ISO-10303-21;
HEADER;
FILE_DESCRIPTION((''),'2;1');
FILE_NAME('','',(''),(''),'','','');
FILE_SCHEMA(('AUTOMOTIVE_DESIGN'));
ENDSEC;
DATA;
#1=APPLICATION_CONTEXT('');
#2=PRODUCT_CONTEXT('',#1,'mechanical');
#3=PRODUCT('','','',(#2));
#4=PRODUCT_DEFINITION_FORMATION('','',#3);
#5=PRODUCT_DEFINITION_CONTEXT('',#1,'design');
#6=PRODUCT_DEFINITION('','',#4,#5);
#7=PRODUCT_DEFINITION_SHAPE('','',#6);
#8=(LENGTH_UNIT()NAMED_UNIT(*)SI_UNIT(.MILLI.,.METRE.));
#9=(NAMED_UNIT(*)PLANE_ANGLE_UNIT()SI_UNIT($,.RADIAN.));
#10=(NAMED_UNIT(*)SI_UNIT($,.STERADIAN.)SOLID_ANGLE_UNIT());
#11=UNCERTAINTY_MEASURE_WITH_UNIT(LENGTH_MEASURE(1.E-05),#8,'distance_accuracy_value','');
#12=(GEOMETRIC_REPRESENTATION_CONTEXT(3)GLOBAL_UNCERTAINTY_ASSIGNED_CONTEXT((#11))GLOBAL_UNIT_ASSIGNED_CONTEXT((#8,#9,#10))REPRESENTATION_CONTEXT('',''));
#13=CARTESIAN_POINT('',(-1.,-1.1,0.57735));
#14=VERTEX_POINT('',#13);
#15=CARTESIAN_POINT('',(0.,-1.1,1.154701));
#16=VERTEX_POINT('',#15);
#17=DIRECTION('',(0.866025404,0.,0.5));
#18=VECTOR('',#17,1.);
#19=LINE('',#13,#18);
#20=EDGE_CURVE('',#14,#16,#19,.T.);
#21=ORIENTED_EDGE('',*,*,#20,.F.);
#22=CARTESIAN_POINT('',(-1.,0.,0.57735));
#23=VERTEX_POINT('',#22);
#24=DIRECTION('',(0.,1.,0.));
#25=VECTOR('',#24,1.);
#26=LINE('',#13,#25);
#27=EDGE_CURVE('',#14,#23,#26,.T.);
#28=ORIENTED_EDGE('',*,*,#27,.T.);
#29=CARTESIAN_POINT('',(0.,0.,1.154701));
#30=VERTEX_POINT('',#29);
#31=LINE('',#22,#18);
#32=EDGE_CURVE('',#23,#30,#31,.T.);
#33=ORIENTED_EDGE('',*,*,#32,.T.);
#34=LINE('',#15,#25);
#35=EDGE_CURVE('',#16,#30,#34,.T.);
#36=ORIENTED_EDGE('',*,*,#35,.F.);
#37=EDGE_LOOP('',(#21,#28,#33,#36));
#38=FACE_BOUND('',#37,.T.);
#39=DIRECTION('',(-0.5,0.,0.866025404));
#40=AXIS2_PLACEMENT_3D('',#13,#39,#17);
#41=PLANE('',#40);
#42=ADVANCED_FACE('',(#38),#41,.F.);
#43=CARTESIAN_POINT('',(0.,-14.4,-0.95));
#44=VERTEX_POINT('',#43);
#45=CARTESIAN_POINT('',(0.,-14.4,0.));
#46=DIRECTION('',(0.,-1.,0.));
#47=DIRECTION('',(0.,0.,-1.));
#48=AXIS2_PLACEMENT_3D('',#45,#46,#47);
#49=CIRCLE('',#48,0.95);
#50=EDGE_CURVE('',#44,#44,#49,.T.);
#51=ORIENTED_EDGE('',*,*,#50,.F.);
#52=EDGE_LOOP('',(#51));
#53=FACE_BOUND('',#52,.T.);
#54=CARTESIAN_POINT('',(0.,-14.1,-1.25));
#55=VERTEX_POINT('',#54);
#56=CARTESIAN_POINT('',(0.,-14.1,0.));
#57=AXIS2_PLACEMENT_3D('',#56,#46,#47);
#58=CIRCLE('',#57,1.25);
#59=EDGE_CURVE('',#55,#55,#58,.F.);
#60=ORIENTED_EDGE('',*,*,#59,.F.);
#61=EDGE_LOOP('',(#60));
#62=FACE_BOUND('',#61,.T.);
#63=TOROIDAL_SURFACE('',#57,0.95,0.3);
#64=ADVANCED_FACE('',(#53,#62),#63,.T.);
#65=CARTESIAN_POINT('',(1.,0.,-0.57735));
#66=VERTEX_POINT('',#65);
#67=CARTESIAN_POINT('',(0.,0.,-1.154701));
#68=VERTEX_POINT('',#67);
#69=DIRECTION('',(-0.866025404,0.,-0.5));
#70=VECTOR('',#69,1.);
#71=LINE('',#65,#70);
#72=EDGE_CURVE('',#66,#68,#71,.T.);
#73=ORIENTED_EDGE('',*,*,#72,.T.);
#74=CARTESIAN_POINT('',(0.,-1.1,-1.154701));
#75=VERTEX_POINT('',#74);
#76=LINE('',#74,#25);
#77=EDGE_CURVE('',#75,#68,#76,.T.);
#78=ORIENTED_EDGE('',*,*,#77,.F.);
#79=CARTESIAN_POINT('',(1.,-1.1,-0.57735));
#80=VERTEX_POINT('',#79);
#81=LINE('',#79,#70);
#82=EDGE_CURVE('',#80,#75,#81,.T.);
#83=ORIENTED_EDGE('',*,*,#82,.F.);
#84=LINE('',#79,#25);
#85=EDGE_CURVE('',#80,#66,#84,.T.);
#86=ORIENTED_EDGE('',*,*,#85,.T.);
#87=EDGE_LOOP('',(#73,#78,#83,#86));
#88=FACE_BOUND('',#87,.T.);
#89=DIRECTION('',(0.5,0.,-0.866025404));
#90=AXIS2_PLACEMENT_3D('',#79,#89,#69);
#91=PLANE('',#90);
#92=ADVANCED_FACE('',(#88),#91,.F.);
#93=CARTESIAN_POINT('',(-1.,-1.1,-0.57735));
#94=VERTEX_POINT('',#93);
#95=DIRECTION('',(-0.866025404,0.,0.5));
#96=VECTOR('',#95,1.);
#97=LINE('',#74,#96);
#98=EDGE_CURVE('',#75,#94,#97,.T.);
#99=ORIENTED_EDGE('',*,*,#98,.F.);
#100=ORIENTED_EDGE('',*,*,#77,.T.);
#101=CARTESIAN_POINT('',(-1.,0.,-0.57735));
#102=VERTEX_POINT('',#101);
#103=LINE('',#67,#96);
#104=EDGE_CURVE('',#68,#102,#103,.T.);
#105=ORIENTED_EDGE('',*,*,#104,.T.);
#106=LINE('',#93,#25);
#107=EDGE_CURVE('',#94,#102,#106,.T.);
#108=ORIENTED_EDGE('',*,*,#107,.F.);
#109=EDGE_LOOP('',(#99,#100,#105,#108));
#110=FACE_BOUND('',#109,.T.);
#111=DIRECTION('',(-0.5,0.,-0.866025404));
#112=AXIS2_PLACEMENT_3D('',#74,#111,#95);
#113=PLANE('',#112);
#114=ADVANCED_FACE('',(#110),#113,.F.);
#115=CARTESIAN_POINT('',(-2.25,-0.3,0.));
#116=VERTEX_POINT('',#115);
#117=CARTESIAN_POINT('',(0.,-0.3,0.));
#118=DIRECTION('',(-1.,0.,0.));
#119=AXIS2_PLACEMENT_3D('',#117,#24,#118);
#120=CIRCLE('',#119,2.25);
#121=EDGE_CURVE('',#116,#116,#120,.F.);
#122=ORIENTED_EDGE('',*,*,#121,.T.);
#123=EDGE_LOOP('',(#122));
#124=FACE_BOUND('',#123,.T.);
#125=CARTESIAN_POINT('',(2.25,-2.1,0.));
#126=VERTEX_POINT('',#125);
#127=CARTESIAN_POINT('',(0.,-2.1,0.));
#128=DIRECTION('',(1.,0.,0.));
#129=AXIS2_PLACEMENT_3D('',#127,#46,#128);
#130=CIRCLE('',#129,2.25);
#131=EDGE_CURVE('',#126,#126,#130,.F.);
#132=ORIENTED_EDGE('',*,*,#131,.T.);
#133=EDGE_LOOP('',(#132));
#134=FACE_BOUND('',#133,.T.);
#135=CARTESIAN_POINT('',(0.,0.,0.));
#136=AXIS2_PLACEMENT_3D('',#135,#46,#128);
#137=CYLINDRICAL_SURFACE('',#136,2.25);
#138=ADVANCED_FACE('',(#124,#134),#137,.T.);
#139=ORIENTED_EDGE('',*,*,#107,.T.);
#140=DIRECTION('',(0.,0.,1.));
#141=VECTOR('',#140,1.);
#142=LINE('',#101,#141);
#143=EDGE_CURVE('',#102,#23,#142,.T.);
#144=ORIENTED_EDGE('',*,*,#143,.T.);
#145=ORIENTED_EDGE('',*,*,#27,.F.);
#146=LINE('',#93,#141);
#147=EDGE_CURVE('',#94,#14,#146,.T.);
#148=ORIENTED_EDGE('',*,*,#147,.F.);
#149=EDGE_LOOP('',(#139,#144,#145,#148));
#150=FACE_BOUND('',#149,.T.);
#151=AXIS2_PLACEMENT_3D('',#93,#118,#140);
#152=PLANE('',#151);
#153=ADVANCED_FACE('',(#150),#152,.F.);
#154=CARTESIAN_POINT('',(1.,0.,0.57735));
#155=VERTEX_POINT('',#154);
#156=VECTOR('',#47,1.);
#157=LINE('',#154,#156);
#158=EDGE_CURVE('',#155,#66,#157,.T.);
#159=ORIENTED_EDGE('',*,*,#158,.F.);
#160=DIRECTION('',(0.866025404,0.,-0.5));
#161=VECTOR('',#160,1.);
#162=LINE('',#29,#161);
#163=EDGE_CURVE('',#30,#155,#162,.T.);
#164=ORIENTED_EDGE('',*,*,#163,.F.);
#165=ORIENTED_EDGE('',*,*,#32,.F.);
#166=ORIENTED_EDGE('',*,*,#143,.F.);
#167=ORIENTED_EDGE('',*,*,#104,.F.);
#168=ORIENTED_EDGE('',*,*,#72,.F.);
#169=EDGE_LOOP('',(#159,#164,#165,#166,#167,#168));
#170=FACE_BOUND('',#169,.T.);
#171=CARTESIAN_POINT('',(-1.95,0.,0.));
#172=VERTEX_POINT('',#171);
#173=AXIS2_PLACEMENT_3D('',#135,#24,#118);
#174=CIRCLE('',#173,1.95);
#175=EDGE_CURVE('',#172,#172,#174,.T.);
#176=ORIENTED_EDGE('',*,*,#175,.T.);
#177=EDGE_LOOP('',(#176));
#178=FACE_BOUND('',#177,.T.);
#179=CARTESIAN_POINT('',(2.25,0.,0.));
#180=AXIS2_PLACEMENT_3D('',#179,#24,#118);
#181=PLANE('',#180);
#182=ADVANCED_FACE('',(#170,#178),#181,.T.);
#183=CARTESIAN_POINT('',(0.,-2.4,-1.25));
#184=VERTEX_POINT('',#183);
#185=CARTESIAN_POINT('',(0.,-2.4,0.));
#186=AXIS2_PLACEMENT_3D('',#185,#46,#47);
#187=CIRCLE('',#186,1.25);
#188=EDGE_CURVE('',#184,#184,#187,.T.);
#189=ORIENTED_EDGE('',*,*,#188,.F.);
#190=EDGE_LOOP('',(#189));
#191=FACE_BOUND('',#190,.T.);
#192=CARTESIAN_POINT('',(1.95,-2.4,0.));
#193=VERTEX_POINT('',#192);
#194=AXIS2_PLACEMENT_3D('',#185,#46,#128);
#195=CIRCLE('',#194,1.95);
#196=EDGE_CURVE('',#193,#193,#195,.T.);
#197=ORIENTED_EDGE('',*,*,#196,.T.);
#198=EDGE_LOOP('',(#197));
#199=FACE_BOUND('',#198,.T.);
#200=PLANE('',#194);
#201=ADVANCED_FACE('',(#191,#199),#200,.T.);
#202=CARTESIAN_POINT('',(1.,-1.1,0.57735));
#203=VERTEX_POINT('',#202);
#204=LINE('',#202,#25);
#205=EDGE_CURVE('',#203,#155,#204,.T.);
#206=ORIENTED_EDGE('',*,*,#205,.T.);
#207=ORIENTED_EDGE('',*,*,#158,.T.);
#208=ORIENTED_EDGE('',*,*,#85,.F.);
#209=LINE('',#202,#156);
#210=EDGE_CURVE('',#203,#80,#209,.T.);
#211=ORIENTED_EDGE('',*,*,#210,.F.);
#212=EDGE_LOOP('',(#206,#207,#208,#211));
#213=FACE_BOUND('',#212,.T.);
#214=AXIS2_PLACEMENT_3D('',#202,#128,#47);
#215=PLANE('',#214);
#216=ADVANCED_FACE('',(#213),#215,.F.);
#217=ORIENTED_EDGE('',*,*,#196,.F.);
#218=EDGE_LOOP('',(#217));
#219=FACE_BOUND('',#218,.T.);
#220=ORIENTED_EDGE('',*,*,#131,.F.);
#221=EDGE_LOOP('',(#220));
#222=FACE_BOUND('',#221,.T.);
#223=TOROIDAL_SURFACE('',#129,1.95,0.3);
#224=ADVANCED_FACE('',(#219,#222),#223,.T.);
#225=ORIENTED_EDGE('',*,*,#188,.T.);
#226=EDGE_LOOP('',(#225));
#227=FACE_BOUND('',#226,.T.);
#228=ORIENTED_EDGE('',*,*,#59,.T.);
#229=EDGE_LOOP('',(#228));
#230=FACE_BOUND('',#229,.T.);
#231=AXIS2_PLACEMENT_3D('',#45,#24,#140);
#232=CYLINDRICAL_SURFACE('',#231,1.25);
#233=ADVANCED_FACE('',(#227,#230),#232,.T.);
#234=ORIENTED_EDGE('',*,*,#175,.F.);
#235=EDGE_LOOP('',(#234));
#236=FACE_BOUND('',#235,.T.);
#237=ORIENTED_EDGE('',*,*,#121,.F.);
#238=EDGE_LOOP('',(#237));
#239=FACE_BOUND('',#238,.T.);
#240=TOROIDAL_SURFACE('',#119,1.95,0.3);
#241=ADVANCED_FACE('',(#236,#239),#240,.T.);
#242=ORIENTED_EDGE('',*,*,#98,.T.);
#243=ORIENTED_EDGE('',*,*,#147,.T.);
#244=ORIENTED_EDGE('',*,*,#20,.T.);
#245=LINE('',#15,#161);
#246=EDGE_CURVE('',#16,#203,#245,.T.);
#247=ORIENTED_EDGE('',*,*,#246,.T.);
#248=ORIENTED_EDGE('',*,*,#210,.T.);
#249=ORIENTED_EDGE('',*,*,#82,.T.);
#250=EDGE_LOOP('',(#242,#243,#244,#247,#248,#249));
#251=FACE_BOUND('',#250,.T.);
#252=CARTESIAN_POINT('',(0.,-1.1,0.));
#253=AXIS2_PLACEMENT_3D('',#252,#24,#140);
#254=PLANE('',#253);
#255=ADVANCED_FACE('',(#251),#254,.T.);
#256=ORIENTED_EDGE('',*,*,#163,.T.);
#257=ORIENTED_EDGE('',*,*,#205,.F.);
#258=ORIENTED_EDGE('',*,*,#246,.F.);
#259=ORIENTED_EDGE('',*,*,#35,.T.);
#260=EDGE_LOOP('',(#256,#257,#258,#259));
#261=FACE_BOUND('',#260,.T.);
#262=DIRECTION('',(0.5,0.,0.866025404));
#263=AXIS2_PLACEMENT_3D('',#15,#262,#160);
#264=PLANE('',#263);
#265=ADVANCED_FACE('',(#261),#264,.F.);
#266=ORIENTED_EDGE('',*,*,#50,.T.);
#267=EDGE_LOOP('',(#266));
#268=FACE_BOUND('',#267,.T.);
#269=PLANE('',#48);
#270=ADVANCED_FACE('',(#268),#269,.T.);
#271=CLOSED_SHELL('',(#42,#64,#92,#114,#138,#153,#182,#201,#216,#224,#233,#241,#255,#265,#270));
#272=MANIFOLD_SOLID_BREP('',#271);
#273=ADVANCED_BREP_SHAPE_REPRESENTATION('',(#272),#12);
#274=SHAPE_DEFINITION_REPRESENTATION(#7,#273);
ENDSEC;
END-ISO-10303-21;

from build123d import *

# Parameters (mm, degrees)
SKETCH_1_W          = 2.25
SKETCH_1_H          = 2.4
SKETCH_2_R          = 1.25
EXTRUDE_1_DEPTH     = 12
CUT_EXTRUDE_1_DEPTH = 1.1
FILLET_1_R          = 0.3


with BuildPart() as part:
    # 草图1 → 旋转1 (revolve)
    with BuildSketch(Plane.XY):
        with Locations((1.125, -1.2)):
            Rectangle(SKETCH_1_W, SKETCH_1_H)
    revolve(axis=Axis((0, 0, 0), (0, -1, 0)))

    # 草图2 → 凸台-拉伸1 (add)
    with BuildSketch(Plane.XZ.offset(2.4)):
        with Locations(Location((0, 0, 0), (0, 0, 270))):
            Circle(SKETCH_2_R)
    extrude(amount=EXTRUDE_1_DEPTH)

    # 草图3 → 切除-拉伸1 (cut)
    with BuildSketch(Plane(origin=(0, 0, 0), x_dir=(-1, 0, 0), z_dir=(0, 1, 0))):
        Polygon((0, -1.154700538), (1, -0.577350269), (1, 0.577350269), (0, 1.154700538), (-1, 0.577350269), (-1, -0.577350269), align=None)
    extrude(amount=-CUT_EXTRUDE_1_DEPTH, mode=Mode.SUBTRACT)

    # 圆角1
    fillet_1_edges = [part.edges().sort_by_distance(p)[0] for p in [
        (0, -14.4, 1.25),
        (-2.25, -2.4, 0),
        (-2.25, 0, 0),
    ]]
    fillet(fillet_1_edges, radius=FILLET_1_R)


solid = part.part
